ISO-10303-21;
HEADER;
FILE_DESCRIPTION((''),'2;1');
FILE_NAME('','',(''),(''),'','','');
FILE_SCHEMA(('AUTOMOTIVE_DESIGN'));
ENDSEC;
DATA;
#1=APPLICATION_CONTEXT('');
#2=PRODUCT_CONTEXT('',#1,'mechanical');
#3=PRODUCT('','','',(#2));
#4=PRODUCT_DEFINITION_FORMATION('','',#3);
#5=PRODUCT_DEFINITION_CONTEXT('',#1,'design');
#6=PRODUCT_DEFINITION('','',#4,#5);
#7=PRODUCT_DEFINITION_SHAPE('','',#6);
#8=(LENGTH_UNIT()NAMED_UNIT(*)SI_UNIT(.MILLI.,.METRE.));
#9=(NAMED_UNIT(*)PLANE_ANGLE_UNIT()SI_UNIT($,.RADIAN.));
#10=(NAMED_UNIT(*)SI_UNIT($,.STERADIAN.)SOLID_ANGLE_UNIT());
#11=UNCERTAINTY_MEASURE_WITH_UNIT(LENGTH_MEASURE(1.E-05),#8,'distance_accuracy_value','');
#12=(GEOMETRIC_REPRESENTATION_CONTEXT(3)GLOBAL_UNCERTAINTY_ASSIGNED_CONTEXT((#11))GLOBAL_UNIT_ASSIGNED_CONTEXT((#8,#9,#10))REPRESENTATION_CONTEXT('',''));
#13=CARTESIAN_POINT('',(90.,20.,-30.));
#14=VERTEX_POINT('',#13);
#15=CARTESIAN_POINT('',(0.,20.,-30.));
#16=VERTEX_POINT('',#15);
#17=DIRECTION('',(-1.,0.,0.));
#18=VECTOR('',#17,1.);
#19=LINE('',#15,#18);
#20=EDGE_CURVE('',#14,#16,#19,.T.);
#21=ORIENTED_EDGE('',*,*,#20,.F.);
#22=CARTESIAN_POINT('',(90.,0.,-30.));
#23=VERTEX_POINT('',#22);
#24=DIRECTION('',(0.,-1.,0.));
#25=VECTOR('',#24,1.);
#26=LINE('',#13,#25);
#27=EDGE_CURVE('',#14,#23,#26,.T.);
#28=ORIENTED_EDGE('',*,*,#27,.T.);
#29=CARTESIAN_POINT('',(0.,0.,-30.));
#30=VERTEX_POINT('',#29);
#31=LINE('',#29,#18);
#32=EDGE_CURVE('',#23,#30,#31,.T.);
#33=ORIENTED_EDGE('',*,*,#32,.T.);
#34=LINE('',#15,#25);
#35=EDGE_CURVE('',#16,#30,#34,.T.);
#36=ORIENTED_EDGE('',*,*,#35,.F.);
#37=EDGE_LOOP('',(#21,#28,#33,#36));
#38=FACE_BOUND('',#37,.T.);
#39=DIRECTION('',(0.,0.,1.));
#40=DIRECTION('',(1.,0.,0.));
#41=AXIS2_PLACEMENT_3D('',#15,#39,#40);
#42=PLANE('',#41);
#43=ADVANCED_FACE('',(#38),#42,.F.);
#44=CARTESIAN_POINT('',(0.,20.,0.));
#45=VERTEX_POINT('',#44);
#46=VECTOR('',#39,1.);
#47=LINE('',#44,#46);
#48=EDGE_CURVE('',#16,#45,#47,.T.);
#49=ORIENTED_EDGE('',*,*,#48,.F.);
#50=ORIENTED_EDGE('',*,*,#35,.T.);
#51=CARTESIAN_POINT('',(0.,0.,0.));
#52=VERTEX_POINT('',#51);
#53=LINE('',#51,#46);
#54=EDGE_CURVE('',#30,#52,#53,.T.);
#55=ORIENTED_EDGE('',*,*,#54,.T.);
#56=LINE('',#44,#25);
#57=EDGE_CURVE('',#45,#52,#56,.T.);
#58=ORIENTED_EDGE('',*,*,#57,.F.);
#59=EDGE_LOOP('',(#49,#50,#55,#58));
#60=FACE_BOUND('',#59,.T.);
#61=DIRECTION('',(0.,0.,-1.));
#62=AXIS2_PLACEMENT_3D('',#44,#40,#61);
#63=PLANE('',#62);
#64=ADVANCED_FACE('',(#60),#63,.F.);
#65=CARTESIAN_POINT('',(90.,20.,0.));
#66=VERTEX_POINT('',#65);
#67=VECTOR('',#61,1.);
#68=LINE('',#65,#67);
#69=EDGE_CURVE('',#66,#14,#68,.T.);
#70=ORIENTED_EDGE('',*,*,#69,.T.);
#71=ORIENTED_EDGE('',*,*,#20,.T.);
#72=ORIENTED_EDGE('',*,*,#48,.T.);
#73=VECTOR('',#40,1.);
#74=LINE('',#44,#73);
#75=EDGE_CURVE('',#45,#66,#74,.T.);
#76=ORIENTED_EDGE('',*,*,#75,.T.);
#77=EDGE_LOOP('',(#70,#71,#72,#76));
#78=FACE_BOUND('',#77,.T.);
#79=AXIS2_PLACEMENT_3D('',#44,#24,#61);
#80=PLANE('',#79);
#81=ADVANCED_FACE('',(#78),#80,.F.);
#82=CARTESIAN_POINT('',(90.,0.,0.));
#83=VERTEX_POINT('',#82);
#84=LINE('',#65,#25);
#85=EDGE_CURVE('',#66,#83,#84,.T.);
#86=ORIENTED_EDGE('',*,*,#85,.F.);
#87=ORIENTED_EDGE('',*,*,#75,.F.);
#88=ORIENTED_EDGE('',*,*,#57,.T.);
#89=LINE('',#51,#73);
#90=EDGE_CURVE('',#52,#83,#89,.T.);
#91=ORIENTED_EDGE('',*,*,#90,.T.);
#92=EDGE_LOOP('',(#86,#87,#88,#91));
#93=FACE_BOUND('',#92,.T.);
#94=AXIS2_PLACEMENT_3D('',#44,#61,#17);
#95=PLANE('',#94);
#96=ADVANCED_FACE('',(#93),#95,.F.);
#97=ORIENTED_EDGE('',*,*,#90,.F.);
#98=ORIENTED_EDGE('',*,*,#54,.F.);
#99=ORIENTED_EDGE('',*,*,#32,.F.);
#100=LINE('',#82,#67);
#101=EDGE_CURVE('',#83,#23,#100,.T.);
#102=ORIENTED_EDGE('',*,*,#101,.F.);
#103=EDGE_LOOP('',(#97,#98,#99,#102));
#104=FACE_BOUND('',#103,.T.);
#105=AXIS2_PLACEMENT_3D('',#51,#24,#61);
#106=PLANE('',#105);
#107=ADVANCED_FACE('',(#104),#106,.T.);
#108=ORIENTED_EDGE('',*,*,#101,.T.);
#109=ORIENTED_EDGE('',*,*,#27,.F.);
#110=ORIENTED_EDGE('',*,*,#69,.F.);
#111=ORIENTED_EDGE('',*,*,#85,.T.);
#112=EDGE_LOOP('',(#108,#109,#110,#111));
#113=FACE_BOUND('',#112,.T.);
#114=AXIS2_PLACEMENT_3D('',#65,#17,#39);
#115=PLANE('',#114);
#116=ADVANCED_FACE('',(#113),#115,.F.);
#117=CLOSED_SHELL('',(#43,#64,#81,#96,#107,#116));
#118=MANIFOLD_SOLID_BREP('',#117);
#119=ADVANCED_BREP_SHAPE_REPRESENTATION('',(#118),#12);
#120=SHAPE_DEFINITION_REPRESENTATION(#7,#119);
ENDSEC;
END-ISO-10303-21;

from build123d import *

# Parameters (mm, degrees)
SKETCH1_W           = 90
SKETCH1_H           = 30
BOSS_EXTRUDE1_DEPTH = 20


with BuildPart() as part:
    # Sketch1 → Boss-Extrude1 (new body)
    with BuildSketch(Plane(origin=(0, 0, 0), x_dir=(1, 0, 0), z_dir=(0, 1, 0))):
        with Locations((45, 15)):
            Rectangle(SKETCH1_W, SKETCH1_H)
    extrude(amount=BOSS_EXTRUDE1_DEPTH)


solid = part.part
